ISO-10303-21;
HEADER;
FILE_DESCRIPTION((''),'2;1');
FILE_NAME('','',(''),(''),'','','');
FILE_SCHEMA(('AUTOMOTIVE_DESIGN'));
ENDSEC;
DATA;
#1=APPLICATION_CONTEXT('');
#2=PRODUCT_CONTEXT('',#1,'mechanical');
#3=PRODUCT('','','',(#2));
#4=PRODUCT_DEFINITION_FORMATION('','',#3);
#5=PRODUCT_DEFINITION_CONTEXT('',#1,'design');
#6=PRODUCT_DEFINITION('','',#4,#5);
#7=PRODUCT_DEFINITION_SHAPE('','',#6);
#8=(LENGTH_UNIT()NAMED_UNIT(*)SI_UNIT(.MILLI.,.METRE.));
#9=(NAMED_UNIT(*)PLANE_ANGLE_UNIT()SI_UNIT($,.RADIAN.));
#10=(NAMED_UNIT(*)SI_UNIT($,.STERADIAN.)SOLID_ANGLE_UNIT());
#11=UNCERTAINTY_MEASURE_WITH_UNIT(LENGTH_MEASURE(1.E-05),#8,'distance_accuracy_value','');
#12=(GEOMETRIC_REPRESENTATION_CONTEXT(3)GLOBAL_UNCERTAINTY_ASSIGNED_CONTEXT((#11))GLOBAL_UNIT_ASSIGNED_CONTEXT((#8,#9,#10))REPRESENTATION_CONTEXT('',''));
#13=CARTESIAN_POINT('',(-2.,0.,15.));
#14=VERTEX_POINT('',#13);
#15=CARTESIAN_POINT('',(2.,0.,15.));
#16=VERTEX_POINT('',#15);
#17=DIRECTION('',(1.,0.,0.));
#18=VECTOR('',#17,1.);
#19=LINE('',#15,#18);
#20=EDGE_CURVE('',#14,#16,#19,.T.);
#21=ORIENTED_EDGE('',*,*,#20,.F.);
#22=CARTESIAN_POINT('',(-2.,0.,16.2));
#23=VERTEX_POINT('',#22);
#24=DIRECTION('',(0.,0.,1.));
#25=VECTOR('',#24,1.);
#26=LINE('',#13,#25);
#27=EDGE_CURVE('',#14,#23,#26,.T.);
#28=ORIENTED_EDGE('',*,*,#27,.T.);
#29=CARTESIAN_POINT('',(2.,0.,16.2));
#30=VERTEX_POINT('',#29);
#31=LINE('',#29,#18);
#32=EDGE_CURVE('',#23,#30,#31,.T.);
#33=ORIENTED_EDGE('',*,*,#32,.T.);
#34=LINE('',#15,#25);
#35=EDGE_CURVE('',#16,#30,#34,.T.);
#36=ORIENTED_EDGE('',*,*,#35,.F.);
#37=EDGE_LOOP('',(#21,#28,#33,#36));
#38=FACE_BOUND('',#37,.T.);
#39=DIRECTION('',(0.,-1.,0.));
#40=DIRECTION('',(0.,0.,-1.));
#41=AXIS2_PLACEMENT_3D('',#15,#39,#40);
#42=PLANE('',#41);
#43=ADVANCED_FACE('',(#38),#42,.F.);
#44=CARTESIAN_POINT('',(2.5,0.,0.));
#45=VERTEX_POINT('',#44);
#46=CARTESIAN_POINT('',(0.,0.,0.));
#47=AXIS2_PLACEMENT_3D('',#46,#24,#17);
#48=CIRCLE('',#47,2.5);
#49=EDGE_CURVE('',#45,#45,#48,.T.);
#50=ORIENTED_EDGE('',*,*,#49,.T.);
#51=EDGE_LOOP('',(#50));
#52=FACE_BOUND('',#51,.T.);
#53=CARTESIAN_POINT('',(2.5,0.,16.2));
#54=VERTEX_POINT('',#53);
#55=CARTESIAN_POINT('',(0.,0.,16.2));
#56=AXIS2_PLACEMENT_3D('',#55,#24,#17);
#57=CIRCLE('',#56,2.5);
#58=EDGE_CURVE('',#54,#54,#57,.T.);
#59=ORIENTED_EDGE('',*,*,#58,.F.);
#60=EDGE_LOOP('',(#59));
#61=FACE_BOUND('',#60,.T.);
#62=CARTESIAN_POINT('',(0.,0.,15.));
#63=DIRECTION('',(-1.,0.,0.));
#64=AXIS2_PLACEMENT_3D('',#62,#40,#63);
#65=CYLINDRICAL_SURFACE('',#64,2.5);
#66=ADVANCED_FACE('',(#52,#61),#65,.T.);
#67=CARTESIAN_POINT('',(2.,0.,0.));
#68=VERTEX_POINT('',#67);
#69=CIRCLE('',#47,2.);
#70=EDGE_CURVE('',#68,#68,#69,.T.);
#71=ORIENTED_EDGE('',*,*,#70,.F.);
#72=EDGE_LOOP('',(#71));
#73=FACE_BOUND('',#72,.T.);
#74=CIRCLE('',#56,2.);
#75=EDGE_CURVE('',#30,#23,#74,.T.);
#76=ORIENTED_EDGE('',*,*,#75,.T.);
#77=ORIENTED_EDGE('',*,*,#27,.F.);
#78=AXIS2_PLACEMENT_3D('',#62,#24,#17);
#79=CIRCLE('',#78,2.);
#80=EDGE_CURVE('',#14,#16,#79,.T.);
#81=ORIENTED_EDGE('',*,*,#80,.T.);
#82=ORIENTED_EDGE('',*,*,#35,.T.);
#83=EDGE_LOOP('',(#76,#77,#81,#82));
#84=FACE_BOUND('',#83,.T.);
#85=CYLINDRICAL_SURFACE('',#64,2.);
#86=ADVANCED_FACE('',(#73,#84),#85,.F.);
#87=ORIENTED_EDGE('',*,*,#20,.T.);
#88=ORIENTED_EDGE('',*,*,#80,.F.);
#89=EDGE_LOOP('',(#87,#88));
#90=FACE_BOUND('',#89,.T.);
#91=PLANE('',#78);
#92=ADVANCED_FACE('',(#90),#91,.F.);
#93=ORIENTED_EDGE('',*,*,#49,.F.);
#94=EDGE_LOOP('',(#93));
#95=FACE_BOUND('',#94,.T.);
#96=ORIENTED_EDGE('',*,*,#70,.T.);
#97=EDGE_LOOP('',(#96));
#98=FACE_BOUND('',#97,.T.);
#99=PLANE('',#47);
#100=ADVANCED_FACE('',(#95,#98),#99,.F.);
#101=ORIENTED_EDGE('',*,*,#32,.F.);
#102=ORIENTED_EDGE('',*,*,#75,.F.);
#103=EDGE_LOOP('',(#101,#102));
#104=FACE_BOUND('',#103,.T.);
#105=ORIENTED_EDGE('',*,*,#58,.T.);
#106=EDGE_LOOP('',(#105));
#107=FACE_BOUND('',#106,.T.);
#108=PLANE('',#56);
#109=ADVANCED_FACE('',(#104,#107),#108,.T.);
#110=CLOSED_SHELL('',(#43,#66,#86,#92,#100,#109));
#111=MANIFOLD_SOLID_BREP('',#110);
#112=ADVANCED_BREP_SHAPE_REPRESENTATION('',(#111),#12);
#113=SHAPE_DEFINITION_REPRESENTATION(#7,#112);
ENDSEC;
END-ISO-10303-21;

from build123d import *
from build123d.topology import SkipClean

# Parameters (mm, degrees)
CROQUIS1_R              = 2.5
CROQUIS1_R_2            = 2
SALIENTE_EXTRUIR1_DEPTH = 15
CROQUIS2_R              = 2.5
SALIENTE_EXTRUIR2_DEPTH = 1.2
CORTAR_EXTRUIR1_START   = -1.2
CORTAR_EXTRUIR1_DEPTH   = 1.2


with BuildPart() as part:
    # Croquis1 → Saliente-Extruir1 (new body)
    with BuildSketch(Plane.XY):
        Circle(CROQUIS1_R)
        Circle(CROQUIS1_R_2, mode=Mode.SUBTRACT)
    extrude(amount=SALIENTE_EXTRUIR1_DEPTH)

    # Croquis2 → Saliente-Extruir2 (add)
    with BuildSketch(Plane.XY.offset(15)):
        Circle(CROQUIS2_R)
    extrude(amount=SALIENTE_EXTRUIR2_DEPTH)

    # Croquis3 → Cortar-Extruir1 (cut)
    with SkipClean():  # the faces are left unmerged after this step: merging them gives an invalid solid
        with BuildSketch(Plane.XY.offset(16.2).offset(CORTAR_EXTRUIR1_START)):
            with BuildLine():
                Line((2, 0), (-2, 0))
                ThreePointArc((-2, 0), (0, 2), (2, 0))
            make_face()
        extrude(amount=CORTAR_EXTRUIR1_DEPTH, mode=Mode.SUBTRACT)


solid = part.part
